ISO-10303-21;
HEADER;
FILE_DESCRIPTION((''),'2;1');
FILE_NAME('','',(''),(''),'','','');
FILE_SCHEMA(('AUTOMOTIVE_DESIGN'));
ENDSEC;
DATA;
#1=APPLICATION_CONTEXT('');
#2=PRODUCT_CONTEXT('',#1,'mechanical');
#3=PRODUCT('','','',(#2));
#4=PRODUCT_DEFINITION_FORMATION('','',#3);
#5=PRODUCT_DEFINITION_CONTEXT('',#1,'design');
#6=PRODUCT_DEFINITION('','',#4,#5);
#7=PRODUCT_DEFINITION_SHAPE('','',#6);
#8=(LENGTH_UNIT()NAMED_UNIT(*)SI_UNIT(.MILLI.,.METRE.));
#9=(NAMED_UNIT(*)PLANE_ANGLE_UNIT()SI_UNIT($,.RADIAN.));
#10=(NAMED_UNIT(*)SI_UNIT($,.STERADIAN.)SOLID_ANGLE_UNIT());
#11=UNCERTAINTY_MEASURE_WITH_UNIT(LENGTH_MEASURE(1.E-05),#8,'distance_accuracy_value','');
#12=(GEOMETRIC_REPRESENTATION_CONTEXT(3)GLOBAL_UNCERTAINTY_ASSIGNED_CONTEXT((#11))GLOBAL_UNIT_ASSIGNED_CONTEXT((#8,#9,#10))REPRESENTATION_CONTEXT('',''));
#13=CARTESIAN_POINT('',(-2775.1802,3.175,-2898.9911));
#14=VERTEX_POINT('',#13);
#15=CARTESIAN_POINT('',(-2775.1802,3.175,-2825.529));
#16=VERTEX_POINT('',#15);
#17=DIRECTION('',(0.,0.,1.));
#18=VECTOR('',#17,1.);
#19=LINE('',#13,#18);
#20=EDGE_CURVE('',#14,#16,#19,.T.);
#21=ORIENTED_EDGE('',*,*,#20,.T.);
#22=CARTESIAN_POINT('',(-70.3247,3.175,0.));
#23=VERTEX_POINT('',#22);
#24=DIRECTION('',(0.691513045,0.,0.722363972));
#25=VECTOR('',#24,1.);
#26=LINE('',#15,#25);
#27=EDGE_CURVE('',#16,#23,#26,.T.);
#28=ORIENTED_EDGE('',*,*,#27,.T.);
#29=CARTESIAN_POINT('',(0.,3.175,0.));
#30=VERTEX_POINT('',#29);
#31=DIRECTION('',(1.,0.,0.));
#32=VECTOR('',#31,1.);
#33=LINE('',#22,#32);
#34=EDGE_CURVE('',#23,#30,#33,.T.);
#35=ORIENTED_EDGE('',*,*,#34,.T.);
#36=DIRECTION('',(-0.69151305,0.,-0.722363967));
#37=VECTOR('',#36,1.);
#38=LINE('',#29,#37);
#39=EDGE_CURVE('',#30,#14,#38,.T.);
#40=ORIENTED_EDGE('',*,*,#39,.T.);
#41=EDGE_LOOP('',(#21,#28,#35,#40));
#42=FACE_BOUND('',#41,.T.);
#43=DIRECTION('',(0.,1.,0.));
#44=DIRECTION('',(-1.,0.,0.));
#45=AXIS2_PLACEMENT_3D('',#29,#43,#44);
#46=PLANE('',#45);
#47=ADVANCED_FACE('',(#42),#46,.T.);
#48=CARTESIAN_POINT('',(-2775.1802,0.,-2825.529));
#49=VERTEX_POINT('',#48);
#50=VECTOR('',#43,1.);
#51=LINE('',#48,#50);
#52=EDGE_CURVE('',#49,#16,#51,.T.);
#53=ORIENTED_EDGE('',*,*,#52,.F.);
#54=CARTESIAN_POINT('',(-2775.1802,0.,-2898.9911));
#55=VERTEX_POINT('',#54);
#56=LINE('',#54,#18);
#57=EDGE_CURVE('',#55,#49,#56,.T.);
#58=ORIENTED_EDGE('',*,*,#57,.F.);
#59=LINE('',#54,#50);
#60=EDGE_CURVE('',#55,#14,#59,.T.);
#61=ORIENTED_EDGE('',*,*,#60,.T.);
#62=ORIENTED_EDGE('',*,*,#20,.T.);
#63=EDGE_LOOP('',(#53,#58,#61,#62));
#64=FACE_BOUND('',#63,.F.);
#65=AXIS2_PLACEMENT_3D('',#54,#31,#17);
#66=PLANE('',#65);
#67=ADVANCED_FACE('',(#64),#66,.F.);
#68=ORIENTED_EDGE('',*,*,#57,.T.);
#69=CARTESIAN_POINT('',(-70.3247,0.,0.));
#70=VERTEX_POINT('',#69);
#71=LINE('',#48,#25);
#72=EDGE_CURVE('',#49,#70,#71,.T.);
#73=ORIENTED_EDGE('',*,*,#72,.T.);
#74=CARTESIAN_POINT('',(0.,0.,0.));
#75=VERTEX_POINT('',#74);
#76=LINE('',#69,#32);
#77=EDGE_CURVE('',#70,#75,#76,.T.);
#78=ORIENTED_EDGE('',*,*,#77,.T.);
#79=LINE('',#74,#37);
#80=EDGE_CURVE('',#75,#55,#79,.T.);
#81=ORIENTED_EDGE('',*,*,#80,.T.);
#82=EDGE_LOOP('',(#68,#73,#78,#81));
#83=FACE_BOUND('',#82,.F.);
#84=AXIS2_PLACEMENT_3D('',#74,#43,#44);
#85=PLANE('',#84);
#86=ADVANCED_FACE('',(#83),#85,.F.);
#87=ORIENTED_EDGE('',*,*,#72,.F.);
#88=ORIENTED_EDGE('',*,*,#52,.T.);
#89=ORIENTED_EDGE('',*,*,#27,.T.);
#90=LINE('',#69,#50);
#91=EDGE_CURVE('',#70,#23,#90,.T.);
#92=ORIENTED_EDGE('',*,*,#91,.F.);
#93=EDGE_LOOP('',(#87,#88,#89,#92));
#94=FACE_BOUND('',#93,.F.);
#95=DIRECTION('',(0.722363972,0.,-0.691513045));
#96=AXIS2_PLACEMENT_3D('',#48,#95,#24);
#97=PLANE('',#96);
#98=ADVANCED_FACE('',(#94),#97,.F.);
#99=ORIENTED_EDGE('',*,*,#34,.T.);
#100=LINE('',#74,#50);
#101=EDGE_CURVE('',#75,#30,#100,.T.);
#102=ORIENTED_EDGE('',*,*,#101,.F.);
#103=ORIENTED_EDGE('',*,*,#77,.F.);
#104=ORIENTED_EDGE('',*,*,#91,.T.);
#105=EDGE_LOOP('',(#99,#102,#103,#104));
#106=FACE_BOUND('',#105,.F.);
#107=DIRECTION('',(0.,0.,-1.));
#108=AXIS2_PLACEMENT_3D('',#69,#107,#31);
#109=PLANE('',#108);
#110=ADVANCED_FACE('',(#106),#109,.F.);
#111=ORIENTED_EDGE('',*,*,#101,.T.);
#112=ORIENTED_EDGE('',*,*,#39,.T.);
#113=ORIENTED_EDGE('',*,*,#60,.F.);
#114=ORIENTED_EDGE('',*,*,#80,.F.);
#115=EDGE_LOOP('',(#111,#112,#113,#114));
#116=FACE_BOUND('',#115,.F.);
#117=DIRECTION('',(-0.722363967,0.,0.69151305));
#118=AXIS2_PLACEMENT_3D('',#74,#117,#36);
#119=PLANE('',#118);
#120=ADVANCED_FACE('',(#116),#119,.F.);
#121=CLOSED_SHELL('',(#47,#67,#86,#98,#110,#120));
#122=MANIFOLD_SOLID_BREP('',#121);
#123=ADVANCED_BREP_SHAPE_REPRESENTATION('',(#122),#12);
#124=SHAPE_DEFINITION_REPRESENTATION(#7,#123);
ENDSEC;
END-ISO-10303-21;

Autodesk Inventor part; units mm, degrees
ref_plane "YZ Plane" through (0, 0, 0) normal (1, 0, 0) x (0, 1, 0)
ref_plane "XZ Plane" through (0, 0, 0) normal (0, 1, 0) x (-1, 0, 0)
ref_plane "XY Plane" through (0, 0, 0) normal (0, 0, 1) x (1, 0, 0)
sketch "Sketch2" plane through (0, 0, 0) normal (0, 1, 0) x (-1, 0, 0)
  line L0 (0, 0) -> (2775.1802, -2898.9911)
  line L1 (2775.1802, -2898.9911) -> (2775.1802, -2825.529)
  line L2 (2775.1802, -2825.529) -> (70.3247, 0)
  line L3 (70.3247, 0) -> (0, 0)
  dimension "d12" = 50.8
  dimension "d13" = 136.25
  dimension "d14" = 4013.2
extrude "Extrusion3" add sketch "Sketch2" along normal blind 3.175
properties part number "FE-00040-07_2_Red"
